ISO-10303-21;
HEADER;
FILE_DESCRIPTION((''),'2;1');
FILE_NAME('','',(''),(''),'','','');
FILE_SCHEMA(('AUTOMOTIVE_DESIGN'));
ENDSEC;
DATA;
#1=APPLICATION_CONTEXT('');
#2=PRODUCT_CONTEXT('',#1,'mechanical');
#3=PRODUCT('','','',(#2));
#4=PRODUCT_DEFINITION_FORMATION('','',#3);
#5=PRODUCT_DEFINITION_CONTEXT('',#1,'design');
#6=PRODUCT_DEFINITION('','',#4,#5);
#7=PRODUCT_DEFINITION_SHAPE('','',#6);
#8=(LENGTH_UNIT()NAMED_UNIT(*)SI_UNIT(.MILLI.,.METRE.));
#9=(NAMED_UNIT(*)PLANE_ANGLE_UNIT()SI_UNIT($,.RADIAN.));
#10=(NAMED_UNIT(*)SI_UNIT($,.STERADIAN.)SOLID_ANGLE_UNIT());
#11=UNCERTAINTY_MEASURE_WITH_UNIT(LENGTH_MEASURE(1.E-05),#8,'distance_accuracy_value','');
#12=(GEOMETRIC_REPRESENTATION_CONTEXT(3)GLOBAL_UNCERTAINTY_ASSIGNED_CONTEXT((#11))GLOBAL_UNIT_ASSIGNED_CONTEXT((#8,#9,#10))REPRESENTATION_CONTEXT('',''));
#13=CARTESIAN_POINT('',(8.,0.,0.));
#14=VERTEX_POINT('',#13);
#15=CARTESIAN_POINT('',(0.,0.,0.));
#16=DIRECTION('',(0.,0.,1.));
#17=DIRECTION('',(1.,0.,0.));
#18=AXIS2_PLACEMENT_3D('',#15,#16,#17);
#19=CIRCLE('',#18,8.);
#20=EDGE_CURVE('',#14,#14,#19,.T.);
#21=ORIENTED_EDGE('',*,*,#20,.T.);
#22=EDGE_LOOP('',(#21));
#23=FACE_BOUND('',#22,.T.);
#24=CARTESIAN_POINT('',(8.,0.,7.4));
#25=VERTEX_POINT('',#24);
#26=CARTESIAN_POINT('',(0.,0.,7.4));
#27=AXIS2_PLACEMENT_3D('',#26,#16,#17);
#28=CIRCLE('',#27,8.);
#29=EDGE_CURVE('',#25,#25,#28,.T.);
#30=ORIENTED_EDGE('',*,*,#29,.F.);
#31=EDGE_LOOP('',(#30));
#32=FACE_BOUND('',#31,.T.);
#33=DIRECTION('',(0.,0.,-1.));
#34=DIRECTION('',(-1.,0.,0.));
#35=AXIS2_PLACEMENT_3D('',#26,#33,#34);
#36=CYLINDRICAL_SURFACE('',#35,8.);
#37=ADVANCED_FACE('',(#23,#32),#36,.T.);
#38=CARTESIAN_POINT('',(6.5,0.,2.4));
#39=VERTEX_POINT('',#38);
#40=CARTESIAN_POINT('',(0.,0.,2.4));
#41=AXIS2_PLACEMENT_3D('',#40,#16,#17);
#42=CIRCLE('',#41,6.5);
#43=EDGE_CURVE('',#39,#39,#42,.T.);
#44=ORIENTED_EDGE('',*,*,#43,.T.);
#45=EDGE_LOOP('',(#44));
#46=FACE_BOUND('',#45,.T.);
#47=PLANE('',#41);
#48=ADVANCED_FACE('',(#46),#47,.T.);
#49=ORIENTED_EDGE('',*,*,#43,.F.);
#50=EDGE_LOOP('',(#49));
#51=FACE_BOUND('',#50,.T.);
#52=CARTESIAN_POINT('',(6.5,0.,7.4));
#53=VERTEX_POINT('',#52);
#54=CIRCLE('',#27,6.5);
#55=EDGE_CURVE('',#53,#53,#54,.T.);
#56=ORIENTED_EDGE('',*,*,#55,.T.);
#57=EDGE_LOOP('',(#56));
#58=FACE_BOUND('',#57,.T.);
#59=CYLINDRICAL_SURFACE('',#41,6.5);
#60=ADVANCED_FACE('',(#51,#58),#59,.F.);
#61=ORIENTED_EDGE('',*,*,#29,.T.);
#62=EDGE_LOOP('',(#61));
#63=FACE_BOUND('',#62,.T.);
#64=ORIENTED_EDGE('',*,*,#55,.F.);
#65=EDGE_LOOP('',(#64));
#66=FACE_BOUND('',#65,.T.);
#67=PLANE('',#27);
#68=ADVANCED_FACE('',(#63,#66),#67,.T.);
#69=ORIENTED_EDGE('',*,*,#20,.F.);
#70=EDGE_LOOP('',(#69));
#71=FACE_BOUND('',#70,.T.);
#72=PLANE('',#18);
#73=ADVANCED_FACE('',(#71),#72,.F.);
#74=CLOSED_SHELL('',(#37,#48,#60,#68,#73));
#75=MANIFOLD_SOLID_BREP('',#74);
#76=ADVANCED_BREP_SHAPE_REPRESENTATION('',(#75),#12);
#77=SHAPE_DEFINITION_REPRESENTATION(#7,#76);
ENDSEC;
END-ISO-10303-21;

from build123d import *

# Parameters (mm, degrees)
SKETCH_1_R          = 8
EXTRUDE_1_DEPTH     = 7.4
SKETCH_2_R          = 6.5
CUT_EXTRUDE_1_DEPTH = 5


with BuildPart() as part:
    # 草图1 → 凸台-拉伸1 (new body)
    with BuildSketch(Plane.XY):
        Circle(SKETCH_1_R)
    extrude(amount=EXTRUDE_1_DEPTH)

    # 草图2 → 切除-拉伸1 (cut)
    with BuildSketch(Plane.XY.offset(7.4)):
        Circle(SKETCH_2_R)
    extrude(amount=-CUT_EXTRUDE_1_DEPTH, mode=Mode.SUBTRACT)


solid = part.part
